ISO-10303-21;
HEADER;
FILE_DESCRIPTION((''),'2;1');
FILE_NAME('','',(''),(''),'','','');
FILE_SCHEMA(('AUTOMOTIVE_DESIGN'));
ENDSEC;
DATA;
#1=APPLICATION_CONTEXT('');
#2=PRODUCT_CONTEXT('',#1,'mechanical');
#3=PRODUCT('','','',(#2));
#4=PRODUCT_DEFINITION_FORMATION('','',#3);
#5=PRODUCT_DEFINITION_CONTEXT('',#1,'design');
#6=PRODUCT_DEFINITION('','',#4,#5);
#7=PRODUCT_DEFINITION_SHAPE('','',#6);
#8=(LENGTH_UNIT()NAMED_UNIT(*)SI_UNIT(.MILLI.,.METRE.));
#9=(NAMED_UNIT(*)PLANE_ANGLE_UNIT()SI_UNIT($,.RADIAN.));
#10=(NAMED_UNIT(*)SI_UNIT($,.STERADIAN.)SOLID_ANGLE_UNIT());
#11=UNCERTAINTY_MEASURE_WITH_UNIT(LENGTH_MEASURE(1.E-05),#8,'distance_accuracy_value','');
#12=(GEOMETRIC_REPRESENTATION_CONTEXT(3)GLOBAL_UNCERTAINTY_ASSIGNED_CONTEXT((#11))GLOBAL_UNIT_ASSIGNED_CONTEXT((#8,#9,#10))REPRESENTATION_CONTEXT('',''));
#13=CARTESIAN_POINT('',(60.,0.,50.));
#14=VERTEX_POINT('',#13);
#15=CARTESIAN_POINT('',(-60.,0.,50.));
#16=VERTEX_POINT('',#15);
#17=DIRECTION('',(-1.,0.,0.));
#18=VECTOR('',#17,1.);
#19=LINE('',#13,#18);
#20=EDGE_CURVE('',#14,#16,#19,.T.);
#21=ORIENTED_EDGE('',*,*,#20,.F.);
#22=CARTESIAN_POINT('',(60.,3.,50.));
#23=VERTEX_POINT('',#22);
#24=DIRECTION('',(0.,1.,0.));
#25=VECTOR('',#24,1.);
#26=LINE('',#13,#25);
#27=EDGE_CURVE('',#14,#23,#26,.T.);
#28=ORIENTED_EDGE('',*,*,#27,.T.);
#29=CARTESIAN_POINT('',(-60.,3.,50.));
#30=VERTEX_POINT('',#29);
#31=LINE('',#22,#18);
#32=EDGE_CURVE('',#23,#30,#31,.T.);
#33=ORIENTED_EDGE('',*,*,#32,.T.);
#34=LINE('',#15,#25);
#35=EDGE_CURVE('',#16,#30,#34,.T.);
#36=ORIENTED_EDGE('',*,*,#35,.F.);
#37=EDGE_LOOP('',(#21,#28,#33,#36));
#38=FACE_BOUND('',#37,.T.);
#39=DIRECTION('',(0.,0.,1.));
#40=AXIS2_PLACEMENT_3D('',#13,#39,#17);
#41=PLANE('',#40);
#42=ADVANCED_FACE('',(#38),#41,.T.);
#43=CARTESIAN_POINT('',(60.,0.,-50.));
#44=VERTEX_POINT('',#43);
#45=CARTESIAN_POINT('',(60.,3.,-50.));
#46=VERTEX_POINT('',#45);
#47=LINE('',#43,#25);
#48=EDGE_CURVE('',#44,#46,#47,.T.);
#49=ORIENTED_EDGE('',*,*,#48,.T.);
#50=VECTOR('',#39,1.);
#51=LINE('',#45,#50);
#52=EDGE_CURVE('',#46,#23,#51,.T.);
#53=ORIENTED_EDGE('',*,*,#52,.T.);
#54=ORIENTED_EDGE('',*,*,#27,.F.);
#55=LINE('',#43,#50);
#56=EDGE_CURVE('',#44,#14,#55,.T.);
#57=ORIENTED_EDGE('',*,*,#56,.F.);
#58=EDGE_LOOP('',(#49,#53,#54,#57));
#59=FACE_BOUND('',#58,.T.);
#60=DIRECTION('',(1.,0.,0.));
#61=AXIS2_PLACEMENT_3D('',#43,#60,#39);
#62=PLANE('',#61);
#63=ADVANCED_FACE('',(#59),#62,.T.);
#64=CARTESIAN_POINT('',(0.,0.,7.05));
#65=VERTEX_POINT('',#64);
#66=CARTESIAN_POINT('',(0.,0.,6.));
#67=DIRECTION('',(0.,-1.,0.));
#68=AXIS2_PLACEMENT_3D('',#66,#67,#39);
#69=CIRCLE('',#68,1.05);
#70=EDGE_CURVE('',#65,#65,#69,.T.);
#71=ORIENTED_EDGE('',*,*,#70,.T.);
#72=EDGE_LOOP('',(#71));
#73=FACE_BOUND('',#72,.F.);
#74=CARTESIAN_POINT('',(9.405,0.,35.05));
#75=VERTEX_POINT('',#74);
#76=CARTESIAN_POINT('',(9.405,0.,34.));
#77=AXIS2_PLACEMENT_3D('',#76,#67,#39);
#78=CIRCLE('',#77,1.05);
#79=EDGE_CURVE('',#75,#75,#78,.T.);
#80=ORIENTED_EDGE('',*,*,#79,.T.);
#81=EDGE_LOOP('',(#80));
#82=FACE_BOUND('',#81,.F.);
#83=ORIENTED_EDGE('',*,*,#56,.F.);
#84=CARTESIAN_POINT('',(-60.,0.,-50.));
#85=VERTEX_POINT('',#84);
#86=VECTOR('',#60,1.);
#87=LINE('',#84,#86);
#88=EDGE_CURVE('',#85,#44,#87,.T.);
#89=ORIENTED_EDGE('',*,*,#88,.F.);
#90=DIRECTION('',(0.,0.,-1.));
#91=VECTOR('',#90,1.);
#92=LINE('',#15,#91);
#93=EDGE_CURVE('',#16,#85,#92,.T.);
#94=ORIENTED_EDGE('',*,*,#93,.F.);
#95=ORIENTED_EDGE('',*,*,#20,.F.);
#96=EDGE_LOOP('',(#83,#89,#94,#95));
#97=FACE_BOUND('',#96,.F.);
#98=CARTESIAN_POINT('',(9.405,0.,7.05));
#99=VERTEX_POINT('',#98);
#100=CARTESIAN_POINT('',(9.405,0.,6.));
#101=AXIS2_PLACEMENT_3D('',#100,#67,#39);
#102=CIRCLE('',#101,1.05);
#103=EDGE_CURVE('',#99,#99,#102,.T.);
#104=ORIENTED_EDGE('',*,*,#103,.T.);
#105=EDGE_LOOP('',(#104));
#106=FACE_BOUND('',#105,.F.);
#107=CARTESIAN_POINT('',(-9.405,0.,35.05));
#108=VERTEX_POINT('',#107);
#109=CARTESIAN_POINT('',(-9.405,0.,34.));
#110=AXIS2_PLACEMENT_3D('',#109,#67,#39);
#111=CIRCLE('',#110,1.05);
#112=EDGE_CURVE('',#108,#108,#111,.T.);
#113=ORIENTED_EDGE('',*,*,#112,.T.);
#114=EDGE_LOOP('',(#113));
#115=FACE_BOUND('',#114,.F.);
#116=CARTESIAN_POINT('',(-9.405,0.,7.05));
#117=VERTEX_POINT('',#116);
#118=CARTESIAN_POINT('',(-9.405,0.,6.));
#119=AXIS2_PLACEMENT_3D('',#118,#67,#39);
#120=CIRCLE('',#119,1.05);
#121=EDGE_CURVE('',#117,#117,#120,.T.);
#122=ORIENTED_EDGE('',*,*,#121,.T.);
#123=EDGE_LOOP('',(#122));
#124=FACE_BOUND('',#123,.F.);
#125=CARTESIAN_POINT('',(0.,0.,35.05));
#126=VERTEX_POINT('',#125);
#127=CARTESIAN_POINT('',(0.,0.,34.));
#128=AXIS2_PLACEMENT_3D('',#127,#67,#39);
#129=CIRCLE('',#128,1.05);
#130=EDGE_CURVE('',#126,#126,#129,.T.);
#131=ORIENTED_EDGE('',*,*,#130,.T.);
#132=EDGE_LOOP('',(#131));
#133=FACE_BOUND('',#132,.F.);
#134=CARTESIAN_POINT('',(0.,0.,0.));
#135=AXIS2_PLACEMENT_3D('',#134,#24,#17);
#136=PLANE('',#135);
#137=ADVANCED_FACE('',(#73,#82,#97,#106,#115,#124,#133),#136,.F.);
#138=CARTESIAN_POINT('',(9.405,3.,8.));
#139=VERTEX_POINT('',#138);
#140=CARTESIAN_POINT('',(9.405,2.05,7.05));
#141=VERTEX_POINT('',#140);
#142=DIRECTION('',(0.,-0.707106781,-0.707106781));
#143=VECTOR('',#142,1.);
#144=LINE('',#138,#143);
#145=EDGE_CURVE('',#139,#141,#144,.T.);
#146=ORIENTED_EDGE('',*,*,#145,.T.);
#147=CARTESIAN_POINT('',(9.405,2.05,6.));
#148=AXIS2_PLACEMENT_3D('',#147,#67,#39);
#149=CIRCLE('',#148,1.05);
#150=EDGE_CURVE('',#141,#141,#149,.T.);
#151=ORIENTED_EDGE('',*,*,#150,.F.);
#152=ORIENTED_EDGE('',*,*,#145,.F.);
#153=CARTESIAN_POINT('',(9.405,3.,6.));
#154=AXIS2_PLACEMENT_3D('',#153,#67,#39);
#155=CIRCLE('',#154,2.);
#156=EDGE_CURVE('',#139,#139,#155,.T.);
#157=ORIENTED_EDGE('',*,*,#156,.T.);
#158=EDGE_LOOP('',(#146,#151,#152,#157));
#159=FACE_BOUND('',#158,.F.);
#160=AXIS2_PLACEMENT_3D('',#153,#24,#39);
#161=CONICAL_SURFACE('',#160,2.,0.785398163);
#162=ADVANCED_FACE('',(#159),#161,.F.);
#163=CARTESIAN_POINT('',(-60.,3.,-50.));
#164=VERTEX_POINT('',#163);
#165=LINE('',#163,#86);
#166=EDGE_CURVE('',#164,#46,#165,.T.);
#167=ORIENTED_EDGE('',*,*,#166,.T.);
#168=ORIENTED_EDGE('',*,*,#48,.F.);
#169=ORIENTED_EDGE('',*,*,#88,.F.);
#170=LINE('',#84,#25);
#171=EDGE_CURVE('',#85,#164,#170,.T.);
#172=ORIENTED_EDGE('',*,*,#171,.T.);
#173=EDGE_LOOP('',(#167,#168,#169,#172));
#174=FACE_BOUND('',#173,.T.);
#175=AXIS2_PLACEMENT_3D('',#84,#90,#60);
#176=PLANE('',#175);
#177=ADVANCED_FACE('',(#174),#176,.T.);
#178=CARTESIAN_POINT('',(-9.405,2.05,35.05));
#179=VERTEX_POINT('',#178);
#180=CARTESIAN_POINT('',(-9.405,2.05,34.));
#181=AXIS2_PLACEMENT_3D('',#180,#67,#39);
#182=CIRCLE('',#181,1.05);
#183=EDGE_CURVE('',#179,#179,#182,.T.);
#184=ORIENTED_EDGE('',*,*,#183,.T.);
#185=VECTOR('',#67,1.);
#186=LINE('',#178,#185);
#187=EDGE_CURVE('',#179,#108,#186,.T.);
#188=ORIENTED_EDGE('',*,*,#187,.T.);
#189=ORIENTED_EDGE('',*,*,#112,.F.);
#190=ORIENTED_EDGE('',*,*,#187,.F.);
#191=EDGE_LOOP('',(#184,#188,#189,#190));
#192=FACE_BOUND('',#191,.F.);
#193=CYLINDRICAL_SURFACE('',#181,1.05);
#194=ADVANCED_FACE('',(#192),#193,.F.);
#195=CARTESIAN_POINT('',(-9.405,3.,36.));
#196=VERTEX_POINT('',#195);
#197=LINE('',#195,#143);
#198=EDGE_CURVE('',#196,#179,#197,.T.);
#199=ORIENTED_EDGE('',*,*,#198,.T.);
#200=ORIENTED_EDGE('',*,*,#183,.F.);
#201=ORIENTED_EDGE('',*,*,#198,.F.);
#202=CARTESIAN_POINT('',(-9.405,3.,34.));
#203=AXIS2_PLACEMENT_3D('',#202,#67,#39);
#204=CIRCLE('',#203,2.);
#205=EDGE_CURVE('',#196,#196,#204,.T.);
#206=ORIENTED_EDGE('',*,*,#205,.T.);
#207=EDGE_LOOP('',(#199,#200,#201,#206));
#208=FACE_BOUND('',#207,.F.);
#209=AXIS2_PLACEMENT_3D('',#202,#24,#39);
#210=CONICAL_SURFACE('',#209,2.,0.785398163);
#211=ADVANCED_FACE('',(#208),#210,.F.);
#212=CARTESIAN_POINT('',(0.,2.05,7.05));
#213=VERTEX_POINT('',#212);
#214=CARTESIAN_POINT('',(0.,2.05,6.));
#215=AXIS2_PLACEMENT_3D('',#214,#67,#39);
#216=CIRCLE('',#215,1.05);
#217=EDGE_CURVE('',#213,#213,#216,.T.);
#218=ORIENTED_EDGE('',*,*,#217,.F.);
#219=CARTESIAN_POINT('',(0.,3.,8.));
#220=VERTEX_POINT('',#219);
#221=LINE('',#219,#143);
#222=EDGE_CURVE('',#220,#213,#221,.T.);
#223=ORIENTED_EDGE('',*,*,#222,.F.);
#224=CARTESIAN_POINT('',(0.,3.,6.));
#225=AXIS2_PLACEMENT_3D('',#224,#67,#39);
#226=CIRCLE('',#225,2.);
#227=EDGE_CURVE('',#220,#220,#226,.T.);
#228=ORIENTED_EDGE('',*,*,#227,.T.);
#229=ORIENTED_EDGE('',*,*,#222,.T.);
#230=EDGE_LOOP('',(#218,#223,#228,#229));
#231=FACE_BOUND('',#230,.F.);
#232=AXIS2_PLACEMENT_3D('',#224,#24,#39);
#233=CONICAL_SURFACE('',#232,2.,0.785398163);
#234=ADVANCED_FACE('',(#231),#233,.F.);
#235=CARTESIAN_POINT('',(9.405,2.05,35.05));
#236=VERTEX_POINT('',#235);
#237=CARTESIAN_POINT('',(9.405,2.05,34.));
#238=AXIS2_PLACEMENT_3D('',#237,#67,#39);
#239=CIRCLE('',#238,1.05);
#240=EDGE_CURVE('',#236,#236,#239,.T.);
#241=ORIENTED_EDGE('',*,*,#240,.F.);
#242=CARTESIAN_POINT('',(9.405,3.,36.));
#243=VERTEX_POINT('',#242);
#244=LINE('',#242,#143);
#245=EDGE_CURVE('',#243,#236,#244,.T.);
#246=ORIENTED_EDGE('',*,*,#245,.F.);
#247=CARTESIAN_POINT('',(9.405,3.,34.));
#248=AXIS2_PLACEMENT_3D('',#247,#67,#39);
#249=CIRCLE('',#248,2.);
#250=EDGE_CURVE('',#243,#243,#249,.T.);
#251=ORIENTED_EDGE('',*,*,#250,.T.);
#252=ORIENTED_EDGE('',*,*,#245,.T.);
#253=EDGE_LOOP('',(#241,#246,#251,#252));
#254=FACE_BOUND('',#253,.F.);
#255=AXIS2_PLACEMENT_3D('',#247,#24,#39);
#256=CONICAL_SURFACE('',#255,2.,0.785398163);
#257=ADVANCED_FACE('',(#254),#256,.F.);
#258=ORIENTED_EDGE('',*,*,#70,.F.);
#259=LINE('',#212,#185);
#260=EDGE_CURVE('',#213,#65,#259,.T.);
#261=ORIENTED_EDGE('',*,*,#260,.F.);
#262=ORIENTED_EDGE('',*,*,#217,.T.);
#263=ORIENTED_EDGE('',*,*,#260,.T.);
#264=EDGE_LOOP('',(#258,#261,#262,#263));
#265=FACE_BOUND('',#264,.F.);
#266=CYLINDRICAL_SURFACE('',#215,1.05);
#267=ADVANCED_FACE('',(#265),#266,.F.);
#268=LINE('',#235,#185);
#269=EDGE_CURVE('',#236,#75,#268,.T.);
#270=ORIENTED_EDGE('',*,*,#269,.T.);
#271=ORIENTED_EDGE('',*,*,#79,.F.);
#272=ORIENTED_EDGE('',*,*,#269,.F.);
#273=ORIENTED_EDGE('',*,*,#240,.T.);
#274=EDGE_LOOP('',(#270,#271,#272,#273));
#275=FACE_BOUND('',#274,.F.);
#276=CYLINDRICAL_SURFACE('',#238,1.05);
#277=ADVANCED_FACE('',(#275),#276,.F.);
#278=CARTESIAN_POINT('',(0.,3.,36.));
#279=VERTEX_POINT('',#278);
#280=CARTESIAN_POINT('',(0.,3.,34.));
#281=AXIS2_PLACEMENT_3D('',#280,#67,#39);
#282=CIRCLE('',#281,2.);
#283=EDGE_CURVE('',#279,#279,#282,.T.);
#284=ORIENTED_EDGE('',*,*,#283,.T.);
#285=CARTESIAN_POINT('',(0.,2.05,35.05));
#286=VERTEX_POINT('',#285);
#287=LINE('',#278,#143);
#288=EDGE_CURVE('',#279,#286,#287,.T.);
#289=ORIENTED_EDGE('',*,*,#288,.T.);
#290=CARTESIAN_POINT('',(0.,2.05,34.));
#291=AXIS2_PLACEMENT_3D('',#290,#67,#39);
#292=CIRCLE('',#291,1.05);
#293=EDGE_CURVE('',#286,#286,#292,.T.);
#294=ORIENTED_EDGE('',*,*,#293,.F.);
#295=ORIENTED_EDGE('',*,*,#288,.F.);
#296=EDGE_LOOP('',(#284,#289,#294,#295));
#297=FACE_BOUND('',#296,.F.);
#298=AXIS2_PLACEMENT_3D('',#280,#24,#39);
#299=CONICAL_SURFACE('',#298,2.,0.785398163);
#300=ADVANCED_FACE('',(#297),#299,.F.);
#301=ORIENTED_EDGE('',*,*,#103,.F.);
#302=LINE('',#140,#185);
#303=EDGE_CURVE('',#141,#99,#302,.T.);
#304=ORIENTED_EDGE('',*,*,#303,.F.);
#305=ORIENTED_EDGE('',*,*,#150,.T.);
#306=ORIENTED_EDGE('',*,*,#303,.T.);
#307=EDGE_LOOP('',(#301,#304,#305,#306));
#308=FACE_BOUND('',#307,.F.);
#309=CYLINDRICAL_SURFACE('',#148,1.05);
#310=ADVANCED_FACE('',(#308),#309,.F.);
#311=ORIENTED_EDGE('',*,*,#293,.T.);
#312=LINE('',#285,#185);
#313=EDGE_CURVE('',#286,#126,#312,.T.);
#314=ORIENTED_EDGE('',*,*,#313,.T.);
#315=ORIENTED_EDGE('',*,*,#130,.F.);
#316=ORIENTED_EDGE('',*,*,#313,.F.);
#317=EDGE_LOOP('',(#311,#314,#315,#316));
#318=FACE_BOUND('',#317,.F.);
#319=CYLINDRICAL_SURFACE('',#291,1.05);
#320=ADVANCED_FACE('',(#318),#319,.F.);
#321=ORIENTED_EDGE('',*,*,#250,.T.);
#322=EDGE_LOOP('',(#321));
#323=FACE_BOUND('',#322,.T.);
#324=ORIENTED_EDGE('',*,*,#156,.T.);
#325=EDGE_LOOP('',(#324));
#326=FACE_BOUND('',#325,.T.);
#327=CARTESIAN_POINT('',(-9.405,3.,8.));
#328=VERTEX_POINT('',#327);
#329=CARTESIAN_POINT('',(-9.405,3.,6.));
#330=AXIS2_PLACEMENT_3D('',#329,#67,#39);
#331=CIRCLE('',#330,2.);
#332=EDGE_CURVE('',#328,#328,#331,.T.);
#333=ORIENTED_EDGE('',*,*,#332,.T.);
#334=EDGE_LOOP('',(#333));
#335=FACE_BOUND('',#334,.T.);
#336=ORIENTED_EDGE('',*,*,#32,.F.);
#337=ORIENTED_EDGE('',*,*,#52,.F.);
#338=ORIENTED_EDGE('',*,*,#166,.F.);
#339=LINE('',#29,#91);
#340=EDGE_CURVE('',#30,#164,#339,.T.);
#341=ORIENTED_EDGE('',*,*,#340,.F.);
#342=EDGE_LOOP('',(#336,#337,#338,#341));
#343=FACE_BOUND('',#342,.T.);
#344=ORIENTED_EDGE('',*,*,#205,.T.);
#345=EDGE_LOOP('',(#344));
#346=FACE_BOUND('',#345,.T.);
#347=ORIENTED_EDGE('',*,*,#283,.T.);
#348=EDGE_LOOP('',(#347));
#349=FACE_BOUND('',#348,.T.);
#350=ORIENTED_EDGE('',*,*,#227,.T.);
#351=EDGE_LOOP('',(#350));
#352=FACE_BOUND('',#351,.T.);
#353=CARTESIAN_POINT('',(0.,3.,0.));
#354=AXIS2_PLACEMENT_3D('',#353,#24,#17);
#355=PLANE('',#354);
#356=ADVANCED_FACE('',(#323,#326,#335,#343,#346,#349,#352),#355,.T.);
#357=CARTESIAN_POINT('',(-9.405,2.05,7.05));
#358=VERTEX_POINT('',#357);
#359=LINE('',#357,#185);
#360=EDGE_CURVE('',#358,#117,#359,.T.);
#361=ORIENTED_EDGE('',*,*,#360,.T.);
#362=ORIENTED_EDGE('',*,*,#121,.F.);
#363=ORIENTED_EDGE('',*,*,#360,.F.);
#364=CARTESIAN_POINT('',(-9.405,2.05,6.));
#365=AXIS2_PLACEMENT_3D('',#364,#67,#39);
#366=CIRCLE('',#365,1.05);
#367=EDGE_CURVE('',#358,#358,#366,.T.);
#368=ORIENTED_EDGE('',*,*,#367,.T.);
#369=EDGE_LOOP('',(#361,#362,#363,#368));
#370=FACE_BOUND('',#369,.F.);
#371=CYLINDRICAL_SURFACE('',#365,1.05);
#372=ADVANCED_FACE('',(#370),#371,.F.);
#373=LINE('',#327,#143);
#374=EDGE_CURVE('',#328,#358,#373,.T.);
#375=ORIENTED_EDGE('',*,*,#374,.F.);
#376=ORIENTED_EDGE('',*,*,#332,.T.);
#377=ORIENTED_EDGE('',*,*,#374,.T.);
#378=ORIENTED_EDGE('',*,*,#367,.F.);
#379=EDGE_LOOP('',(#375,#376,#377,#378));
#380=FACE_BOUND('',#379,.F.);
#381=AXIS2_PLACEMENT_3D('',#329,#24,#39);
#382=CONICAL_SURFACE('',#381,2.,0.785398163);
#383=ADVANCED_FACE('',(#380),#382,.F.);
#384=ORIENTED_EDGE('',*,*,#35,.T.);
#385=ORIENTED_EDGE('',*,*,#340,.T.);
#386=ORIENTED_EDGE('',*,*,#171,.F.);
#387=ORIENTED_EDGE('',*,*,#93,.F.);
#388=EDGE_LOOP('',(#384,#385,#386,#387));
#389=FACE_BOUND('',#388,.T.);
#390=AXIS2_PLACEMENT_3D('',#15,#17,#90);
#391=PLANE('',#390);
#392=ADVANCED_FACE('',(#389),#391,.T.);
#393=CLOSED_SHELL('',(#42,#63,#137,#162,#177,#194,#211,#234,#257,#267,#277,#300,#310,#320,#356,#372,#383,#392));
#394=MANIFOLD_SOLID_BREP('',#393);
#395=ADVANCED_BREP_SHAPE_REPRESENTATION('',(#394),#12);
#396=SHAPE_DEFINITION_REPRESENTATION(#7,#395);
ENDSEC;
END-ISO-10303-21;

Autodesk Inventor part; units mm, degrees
ref_plane "YZ Plane" through (0, 0, 0) normal (1, 0, 0) x (0, 1, 0)
ref_plane "XZ Plane" through (0, 0, 0) normal (0, 1, 0) x (-1, 0, 0)
ref_plane "XY Plane" through (0, 0, 0) normal (0, 0, 1) x (1, 0, 0)
sketch "Sketch1" plane through (0, 0, 0) normal (0, 1, 0) x (-1, 0, 0)
  line L0 (60, -50) -> (-60, -50)
  line L1 (-60, -50) -> (-60, 50)
  line L2 (-60, 50) -> (60, 50)
  line L3 (60, 50) -> (60, -50)
  point P0 (0, 0)
  dimension "d0" = 120
  dimension "d1" = 100
  dimension "d2" = 50
  dimension "d3" = 60
extrude "Plate1" add sketch "Sketch1" along normal blind 3
sketch "Sketch3" plane through (0, 3, 0) normal (0, 1, 0) x (1, 0, 0)
  circle A0 centre (9.405, -34) radius 1.05 projected
  circle A1 centre (9.405, -6) radius 1.05 projected
  circle A2 centre (0, -34) radius 1.05 projected
  circle A3 centre (0, -6) radius 1.05 projected
  circle A4 centre (-9.405, -34) radius 1.05 projected
  circle A5 centre (-9.405, -6) radius 1.05 projected
  line L0 (15.405, 0) -> (15.405, -40) projected
  line L1 (-15.405, -40) -> (15.405, -40) projected
  line L2 (-15.405, -40) -> (-15.405, 0) projected
  line L3 (15.405, 0) -> (-15.405, 0) projected
  point P0 (0, 0)
hole "Hole1" at (-9.405, 3, 6) at (0, 3, 6) at (9.405, 3, 6) at (9.405, 3, 34) at (0, 3, 34) at (-9.405, 3, 34) direction (0, -1, 0) diameter 2.1 depth 3 countersink diameter 4 countersink angle 90
equation "\"d20\" = Thickness"
equation "\"d4\" = Thickness"
equation "\"BendReliefWidth\" = Thickness"
equation "\"BendReliefDepth\" = 0.5 * Thickness"
equation "\"CornerReliefSize\" = 4 * Thickness"
equation "\"MinimumRemnant\" = 2 * Thickness"
equation "\"TransitionRadius\" = BendRadius"
equation "\"JacobiRadiusSize\" = BendRadius"
equation "\"GapSize\" = Thickness"
equation "\"Thickness\" = 3"
equation "\"BendRadius\" = 0.31"
properties part number "axis_12_bottom_frame(bottom)" material "Aluminum 6061-AHC"
